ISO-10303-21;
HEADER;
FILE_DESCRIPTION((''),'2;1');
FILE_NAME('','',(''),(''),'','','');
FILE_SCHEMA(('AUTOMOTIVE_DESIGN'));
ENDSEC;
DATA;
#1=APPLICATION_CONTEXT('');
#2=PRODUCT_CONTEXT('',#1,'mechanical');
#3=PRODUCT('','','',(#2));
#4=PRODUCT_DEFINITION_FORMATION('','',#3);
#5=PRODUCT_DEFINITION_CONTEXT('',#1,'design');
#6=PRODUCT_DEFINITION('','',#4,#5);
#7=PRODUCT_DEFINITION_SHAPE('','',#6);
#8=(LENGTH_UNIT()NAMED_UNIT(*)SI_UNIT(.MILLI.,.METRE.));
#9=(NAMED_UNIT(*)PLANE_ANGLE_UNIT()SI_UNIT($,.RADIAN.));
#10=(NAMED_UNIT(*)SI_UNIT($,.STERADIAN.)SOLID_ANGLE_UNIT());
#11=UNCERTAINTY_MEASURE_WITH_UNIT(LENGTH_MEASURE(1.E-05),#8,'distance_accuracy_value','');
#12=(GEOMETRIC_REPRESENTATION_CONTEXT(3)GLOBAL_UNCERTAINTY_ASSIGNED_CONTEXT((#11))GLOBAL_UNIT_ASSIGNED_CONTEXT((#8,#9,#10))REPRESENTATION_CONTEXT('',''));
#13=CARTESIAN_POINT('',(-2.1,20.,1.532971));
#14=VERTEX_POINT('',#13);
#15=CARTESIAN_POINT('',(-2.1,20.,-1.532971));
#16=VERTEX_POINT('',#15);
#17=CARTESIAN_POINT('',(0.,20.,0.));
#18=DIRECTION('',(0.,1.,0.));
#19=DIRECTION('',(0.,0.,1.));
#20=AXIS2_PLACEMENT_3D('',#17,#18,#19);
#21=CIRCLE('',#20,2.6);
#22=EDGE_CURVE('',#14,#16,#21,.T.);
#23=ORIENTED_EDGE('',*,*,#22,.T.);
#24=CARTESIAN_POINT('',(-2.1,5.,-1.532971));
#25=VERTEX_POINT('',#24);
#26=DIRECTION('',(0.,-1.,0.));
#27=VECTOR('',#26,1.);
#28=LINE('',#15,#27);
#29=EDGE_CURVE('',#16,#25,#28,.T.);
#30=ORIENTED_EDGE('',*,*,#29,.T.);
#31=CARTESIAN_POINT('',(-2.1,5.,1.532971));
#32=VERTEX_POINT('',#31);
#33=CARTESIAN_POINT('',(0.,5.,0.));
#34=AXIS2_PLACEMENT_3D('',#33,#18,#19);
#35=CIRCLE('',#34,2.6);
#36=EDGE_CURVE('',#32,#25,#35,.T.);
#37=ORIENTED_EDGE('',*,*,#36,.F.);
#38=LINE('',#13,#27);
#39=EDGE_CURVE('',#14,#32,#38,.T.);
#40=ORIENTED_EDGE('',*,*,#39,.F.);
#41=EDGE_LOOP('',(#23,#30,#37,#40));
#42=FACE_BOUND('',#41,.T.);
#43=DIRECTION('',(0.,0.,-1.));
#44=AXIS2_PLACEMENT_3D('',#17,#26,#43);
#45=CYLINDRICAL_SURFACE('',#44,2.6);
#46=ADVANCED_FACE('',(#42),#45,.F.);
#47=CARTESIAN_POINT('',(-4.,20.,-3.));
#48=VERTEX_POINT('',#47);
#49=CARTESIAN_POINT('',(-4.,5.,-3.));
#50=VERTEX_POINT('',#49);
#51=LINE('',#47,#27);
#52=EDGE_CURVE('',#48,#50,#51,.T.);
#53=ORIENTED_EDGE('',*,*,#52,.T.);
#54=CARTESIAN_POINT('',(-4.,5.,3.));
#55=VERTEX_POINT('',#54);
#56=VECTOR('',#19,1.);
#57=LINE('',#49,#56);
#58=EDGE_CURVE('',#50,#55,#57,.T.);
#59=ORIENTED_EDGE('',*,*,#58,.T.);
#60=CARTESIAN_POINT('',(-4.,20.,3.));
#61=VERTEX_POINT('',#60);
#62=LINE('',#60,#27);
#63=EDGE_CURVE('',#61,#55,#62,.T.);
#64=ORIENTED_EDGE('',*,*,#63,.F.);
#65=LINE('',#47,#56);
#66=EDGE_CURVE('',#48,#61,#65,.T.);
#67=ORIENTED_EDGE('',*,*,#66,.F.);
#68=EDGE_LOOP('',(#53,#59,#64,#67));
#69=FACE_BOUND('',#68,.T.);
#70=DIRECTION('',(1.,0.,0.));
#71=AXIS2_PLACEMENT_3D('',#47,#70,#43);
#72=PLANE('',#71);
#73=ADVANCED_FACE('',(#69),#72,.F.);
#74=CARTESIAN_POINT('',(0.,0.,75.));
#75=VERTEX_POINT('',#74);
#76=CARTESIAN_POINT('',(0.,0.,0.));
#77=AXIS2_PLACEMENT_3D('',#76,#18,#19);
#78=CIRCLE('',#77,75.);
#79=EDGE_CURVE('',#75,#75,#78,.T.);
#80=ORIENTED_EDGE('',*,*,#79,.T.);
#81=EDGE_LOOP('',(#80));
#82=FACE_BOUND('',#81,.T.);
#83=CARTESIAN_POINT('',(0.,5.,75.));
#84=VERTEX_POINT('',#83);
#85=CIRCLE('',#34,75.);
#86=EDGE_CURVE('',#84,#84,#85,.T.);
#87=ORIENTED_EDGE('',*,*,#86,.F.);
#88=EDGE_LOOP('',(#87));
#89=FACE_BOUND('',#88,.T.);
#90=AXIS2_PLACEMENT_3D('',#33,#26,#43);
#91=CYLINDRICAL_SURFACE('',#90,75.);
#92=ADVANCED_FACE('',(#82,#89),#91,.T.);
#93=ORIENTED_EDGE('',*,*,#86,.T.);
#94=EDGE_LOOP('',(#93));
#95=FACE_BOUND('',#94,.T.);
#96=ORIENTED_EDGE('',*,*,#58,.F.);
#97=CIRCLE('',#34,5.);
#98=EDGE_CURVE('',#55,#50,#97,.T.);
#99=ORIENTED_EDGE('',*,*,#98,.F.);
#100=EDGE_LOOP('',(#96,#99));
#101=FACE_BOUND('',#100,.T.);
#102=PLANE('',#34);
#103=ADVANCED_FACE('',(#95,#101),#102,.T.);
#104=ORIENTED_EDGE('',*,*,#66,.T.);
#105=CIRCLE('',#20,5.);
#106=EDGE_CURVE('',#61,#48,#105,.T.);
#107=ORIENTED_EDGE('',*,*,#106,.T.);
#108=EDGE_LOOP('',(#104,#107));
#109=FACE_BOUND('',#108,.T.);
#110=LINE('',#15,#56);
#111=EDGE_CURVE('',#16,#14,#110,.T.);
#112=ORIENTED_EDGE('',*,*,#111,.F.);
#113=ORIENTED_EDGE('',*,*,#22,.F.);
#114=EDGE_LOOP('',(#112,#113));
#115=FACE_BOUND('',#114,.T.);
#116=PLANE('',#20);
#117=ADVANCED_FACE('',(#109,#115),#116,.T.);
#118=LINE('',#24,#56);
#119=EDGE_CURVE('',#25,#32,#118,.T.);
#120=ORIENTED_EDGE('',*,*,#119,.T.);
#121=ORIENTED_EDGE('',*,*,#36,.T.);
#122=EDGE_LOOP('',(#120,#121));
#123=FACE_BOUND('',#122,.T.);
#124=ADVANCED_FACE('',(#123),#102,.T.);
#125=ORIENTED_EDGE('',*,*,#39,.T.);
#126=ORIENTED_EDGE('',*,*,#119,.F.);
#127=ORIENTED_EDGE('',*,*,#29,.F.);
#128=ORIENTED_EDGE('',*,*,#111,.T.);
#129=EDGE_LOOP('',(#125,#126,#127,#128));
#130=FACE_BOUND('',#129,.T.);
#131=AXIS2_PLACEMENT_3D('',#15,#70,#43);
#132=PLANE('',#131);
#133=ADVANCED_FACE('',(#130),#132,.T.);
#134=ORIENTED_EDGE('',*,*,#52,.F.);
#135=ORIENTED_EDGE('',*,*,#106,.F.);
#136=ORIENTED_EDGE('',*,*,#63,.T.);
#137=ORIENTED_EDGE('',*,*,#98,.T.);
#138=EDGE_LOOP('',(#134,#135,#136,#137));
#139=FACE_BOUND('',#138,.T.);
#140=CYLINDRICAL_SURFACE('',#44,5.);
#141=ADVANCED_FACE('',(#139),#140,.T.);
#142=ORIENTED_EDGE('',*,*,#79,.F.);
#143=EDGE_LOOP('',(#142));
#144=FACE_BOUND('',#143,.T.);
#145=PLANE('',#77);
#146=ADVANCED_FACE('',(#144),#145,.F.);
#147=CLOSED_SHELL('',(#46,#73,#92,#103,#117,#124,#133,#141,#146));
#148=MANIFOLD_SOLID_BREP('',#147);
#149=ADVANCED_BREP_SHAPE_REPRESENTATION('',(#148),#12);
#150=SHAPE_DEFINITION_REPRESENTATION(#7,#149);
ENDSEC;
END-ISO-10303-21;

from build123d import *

# Parameters (mm, degrees)
SKETCH1_R           = 75
BOSS_EXTRUDE1_DEPTH = 5
BOSS_EXTRUDE2_DEPTH = 15


with BuildPart() as part:
    # Sketch1 → Boss-Extrude1 (new body)
    with BuildSketch(Plane(origin=(0, 0, 0), x_dir=(1, 0, 0), z_dir=(0, 1, 0))):
        Circle(SKETCH1_R)
    extrude(amount=BOSS_EXTRUDE1_DEPTH)

    # Sketch3 → Boss-Extrude2 (add)
    with BuildSketch(Plane(origin=(0, 5, 0), x_dir=(1, 0, 0), z_dir=(0, 1, 0))):
        with BuildLine():
            Line((-4, 3), (-4, -3))
            ThreePointArc((-4, -3), (5, 0), (-4, 3))
        make_face()
        with BuildLine():
            Line((-2.1, 1.532970972), (-2.1, -1.532970972))
            ThreePointArc((-2.1, -1.532970972), (2.6, 0), (-2.1, 1.532970972))
        make_face(mode=Mode.SUBTRACT)
    extrude(amount=BOSS_EXTRUDE2_DEPTH)


solid = part.part
